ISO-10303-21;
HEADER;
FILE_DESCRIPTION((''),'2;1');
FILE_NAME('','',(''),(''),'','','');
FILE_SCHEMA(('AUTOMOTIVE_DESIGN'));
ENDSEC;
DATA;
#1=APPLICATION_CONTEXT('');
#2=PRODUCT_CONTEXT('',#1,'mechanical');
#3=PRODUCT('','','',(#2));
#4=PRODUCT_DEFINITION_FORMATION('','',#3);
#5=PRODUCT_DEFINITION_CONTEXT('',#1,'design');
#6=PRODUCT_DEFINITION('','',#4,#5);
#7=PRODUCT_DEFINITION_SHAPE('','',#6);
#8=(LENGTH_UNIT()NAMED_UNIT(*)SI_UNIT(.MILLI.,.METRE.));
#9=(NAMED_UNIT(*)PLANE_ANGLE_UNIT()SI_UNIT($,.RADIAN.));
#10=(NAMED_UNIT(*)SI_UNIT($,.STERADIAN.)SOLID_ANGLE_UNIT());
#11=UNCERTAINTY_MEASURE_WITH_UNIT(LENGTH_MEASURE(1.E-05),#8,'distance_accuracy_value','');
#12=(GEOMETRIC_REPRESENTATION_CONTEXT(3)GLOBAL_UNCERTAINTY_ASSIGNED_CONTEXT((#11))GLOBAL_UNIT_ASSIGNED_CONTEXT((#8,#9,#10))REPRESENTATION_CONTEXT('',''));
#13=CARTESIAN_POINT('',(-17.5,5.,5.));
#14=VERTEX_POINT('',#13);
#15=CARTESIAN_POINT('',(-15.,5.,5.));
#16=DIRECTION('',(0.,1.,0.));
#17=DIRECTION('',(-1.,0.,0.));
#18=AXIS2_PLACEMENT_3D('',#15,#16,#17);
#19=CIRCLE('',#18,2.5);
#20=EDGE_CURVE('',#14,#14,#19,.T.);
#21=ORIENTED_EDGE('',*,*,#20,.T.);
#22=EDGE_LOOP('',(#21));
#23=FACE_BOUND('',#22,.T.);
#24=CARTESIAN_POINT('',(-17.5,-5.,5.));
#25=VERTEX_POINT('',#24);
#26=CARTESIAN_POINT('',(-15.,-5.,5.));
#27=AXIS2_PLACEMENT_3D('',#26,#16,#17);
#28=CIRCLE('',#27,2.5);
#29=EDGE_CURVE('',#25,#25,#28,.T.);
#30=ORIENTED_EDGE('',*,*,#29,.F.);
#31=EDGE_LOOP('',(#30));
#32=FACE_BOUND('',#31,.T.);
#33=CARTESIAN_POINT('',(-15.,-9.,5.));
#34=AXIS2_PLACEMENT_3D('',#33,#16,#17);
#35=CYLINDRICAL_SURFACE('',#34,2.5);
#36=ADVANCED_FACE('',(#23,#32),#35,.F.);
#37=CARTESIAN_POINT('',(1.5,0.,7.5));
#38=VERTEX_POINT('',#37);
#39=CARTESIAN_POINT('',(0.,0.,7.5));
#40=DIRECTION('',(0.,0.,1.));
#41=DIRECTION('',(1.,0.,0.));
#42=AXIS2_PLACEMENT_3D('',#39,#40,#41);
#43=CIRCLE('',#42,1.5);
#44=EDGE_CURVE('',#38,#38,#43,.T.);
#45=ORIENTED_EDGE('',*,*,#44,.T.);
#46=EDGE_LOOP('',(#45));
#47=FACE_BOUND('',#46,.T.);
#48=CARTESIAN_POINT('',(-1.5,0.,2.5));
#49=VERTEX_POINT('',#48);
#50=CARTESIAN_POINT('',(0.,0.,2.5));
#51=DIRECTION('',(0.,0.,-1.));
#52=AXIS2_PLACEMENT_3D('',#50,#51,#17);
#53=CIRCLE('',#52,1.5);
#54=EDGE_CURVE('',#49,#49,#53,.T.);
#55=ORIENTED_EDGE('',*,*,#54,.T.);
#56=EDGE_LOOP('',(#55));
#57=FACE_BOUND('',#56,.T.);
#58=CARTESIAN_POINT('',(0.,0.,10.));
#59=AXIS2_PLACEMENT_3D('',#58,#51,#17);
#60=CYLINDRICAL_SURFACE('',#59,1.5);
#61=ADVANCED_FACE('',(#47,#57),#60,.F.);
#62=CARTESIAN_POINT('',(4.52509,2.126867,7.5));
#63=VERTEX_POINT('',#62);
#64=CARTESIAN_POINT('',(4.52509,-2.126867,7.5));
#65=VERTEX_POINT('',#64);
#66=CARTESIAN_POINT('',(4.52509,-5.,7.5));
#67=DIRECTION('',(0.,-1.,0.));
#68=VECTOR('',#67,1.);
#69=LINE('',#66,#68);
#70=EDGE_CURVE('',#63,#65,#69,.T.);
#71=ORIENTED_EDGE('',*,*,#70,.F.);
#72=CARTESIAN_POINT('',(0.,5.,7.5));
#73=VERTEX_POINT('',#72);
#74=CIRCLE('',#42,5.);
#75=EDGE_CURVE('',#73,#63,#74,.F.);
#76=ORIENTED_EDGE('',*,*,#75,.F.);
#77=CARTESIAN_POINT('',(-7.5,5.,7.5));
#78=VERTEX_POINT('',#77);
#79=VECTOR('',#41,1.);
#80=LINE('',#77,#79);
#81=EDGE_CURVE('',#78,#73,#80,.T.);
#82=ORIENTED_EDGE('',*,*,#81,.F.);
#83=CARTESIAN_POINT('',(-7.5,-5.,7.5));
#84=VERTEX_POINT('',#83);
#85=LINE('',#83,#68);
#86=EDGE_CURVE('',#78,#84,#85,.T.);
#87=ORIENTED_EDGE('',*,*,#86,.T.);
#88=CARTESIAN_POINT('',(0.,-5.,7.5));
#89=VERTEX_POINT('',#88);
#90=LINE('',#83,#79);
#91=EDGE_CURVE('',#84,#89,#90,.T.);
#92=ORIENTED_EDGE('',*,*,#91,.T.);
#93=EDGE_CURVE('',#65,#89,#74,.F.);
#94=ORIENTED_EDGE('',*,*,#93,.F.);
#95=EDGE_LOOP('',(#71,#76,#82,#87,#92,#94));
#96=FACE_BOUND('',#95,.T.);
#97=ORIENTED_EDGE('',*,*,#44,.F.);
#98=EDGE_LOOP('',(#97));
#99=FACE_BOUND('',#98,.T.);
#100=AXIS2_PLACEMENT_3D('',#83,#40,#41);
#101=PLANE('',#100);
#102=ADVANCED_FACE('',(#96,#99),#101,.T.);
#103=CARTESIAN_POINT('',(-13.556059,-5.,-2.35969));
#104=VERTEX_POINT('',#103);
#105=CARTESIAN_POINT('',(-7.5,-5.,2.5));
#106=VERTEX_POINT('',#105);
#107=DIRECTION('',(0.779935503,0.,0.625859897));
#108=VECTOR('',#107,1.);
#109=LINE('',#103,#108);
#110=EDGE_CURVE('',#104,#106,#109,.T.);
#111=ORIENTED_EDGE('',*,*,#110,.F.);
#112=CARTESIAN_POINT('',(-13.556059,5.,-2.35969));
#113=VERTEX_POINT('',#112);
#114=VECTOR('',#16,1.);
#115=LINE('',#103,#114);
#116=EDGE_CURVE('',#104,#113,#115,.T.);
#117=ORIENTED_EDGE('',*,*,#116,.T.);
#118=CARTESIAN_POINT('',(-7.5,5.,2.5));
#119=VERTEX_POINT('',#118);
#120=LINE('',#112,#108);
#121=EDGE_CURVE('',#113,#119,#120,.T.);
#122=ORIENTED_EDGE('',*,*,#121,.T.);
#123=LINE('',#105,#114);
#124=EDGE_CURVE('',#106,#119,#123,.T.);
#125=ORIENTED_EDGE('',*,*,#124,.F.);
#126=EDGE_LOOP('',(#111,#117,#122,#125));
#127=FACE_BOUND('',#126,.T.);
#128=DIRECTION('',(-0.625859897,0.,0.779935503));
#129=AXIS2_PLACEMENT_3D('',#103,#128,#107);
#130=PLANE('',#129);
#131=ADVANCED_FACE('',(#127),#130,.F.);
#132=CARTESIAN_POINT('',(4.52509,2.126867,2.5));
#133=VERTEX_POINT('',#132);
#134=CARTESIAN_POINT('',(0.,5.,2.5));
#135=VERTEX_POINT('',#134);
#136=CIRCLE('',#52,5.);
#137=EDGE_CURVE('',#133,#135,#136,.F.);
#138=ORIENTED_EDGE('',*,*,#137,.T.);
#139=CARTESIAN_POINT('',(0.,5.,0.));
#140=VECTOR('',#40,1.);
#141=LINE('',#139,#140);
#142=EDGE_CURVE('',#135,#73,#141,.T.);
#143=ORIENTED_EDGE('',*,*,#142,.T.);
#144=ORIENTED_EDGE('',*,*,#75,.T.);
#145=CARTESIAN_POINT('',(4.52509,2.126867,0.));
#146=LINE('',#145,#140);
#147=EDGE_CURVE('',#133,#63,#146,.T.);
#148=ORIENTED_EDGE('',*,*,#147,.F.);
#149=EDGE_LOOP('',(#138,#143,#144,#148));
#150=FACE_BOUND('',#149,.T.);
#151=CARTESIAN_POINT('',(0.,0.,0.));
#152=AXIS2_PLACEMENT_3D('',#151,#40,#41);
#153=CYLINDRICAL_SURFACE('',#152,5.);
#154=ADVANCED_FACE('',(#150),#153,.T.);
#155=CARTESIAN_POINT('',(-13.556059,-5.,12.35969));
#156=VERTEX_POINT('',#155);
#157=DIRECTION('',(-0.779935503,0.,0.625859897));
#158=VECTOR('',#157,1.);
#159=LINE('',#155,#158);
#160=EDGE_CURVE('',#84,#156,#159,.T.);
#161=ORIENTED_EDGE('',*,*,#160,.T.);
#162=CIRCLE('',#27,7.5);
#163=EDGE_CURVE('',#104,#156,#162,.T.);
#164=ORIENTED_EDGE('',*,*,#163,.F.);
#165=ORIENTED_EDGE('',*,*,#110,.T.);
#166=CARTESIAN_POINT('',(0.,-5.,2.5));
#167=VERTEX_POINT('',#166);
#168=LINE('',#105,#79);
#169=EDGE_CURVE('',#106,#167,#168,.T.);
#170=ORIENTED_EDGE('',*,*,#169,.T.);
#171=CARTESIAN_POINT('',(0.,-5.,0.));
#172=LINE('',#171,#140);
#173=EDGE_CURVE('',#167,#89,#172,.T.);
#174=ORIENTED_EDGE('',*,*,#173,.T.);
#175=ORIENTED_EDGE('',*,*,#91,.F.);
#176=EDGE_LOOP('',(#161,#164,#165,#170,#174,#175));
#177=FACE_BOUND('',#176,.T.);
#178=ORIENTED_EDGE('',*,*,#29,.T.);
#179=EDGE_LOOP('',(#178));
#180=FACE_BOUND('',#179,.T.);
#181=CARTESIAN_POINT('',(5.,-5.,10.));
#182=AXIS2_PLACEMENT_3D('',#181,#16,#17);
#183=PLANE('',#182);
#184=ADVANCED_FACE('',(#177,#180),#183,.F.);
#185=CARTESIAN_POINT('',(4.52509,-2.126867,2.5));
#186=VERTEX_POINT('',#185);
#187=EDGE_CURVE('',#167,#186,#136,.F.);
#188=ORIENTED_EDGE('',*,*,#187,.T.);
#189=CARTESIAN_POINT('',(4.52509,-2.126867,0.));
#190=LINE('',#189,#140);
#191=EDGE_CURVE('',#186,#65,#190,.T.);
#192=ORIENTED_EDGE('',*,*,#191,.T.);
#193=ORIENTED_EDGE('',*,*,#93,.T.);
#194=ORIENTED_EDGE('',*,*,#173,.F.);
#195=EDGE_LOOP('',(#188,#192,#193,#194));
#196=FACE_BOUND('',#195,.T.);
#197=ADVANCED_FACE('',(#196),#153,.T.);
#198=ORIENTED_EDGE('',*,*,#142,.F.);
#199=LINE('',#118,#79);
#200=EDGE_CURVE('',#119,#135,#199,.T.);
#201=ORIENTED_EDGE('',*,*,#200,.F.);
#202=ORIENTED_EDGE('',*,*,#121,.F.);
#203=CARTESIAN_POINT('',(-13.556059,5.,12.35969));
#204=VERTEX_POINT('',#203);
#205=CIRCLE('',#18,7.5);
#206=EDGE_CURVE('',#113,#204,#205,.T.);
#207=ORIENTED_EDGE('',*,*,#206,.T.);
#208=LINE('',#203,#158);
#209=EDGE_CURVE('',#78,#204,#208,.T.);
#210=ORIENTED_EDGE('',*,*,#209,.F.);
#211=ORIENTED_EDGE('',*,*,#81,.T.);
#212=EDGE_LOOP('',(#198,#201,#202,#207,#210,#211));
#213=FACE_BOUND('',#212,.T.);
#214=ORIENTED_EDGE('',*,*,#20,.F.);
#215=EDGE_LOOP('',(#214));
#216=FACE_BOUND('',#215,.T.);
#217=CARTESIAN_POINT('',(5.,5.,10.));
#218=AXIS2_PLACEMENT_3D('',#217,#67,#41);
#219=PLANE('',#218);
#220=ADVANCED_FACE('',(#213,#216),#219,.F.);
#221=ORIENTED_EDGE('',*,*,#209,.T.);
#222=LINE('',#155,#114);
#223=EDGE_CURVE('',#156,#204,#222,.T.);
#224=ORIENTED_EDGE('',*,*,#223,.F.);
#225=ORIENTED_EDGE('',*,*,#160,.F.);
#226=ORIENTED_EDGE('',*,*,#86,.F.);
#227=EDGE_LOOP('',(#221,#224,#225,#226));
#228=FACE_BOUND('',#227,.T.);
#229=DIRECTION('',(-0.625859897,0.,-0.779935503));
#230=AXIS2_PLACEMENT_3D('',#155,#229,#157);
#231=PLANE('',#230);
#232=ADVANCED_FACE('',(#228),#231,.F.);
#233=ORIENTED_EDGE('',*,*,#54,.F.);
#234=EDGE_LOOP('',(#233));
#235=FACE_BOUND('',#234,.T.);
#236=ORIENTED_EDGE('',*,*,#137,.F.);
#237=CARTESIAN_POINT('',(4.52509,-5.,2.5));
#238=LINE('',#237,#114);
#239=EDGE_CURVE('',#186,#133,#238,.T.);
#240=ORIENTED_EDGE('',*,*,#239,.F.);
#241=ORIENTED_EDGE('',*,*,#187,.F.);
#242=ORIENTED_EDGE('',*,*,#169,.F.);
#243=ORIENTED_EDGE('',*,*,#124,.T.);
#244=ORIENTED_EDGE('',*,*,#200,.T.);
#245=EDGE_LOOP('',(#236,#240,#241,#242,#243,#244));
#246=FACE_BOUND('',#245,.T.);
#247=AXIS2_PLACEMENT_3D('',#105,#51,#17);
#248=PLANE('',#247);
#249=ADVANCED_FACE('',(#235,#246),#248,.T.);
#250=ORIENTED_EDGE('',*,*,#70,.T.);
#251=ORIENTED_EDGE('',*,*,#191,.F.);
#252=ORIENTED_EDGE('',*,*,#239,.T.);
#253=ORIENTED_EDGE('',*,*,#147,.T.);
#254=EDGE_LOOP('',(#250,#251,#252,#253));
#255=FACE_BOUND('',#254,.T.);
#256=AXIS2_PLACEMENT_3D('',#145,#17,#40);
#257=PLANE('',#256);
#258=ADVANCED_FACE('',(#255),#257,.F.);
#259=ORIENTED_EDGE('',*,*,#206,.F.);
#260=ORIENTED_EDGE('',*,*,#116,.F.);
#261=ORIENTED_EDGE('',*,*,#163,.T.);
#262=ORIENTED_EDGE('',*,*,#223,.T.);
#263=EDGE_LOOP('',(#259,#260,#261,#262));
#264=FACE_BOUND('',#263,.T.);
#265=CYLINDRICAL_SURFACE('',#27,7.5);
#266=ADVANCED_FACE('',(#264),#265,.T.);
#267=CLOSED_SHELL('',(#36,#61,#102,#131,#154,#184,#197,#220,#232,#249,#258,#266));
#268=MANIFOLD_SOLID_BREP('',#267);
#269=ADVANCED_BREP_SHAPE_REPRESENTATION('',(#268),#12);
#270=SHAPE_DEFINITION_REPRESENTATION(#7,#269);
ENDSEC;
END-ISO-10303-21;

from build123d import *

# Parameters (mm, degrees)
CROQUIS1_W              = 25
CROQUIS1_H              = 10
CROQUIS1_R              = 1.5
SALIENTE_EXTRUIR1_DEPTH = 10
CROQUIS2_R              = 2.5
CORTAR_EXTRUIR1_DEPTH   = 14
CROQUIS3_OUTSIDE_W      = 17.744
CROQUIS3_OUTSIDE_H      = 17.744
CROQUIS3_OUTSIDE_W_2    = 5
CROQUIS3_OUTSIDE_H_2    = 10
CORTAR_EXTRUIR2_DEPTH   = 12.5
CUT_EXTRUDE1_DEPTH      = 10
CROQUIS5_R              = 2.5
SALIENTE_EXTRUIR5_DEPTH = 10
CORTAR_EXTRUIR3_DEPTH   = 28.613402543


with BuildPart() as part:
    # Croquis1 → Saliente-Extruir1 (new body)
    with BuildSketch(Plane.XY):
        with Locations((-7.5, 0)):
            Rectangle(CROQUIS1_W, CROQUIS1_H)
        Circle(CROQUIS1_R, mode=Mode.SUBTRACT)
    extrude(amount=SALIENTE_EXTRUIR1_DEPTH)

    # Croquis2 → Cortar-Extruir1 (cut)
    with BuildSketch(Plane(origin=(0, 5, 0), x_dir=(1, 0, 0), z_dir=(0, 1, 0))):
        with Locations(Location((-15, -5, 0), (0, 0, 180))):
            Circle(CROQUIS2_R)
    extrude(amount=-CORTAR_EXTRUIR1_DEPTH, mode=Mode.SUBTRACT)

    # Croquis3 outside → Cortar-Extruir2 (cut)
    with BuildSketch(Plane(origin=(5, 0, 0), x_dir=(0, 0, -1), z_dir=(1, 0, 0))):
        with Locations((-5, 0)):
            Rectangle(CROQUIS3_OUTSIDE_W, CROQUIS3_OUTSIDE_H)
        with Locations((-5, 0)):
            Rectangle(CROQUIS3_OUTSIDE_W_2, CROQUIS3_OUTSIDE_H_2, mode=Mode.SUBTRACT)
    extrude(amount=-CORTAR_EXTRUIR2_DEPTH, mode=Mode.SUBTRACT)

    # Sketch1 → Cut-Extrude1 (cut)
    with BuildSketch(Plane.XY.offset(10)):
        with BuildLine():
            Line((0, 5), (5.992915048, 5))
            Line((5.992915048, 5), (5.992915048, -6.748814934))
            Line((5.992915048, -6.748814934), (0, -5))
            ThreePointArc((0, -5), (2.680080756, -4.221038633), (4.525089765, -2.126866856))
            Line((4.525089765, -2.126866856), (4.525089765, 2.126866856))
            ThreePointArc((4.525089765, 2.126866856), (2.680080756, 4.221038633), (0, 5))
        make_face()
    extrude(amount=-CUT_EXTRUDE1_DEPTH, mode=Mode.SUBTRACT)

    # Croquis5 → Saliente-Extruir5 (add)
    with BuildSketch(Plane(origin=(0, 5, 0), x_dir=(1, 0, 0), z_dir=(0, 1, 0))):
        with BuildLine():
            Line((-12.115384615, 1.923076923), (-7.5, 0))
            Line((-7.5, 0), (-7.5, -10))
            Line((-7.5, -10), (-11.574224798, -11.67188611))
            ThreePointArc((-11.574224798, -11.67188611), (-22.494065139, -5.298308051), (-12.115384615, 1.923076923))
        make_face()
        with Locations(Location((-15, -5, 0), (0, 0, 180))):
            Circle(CROQUIS5_R, mode=Mode.SUBTRACT)
    extrude(amount=-SALIENTE_EXTRUIR5_DEPTH)

    # Croquis6 → Cortar-Extruir3 (cut, through all)
    with BuildSketch(Plane(origin=(0, 5, 0), x_dir=(1, 0, 0), z_dir=(0, 1, 0))):
        Polygon((-13.556059362, 2.359689901), (-7.5, -2.5), (-7.5, 2.359689901), align=None)
        Polygon((-7.5, -7.5), (-7.5, -12.359689901), (-13.556059362, -12.359689901), align=None)
    extrude(amount=-CORTAR_EXTRUIR3_DEPTH, mode=Mode.SUBTRACT)


solid = part.part
